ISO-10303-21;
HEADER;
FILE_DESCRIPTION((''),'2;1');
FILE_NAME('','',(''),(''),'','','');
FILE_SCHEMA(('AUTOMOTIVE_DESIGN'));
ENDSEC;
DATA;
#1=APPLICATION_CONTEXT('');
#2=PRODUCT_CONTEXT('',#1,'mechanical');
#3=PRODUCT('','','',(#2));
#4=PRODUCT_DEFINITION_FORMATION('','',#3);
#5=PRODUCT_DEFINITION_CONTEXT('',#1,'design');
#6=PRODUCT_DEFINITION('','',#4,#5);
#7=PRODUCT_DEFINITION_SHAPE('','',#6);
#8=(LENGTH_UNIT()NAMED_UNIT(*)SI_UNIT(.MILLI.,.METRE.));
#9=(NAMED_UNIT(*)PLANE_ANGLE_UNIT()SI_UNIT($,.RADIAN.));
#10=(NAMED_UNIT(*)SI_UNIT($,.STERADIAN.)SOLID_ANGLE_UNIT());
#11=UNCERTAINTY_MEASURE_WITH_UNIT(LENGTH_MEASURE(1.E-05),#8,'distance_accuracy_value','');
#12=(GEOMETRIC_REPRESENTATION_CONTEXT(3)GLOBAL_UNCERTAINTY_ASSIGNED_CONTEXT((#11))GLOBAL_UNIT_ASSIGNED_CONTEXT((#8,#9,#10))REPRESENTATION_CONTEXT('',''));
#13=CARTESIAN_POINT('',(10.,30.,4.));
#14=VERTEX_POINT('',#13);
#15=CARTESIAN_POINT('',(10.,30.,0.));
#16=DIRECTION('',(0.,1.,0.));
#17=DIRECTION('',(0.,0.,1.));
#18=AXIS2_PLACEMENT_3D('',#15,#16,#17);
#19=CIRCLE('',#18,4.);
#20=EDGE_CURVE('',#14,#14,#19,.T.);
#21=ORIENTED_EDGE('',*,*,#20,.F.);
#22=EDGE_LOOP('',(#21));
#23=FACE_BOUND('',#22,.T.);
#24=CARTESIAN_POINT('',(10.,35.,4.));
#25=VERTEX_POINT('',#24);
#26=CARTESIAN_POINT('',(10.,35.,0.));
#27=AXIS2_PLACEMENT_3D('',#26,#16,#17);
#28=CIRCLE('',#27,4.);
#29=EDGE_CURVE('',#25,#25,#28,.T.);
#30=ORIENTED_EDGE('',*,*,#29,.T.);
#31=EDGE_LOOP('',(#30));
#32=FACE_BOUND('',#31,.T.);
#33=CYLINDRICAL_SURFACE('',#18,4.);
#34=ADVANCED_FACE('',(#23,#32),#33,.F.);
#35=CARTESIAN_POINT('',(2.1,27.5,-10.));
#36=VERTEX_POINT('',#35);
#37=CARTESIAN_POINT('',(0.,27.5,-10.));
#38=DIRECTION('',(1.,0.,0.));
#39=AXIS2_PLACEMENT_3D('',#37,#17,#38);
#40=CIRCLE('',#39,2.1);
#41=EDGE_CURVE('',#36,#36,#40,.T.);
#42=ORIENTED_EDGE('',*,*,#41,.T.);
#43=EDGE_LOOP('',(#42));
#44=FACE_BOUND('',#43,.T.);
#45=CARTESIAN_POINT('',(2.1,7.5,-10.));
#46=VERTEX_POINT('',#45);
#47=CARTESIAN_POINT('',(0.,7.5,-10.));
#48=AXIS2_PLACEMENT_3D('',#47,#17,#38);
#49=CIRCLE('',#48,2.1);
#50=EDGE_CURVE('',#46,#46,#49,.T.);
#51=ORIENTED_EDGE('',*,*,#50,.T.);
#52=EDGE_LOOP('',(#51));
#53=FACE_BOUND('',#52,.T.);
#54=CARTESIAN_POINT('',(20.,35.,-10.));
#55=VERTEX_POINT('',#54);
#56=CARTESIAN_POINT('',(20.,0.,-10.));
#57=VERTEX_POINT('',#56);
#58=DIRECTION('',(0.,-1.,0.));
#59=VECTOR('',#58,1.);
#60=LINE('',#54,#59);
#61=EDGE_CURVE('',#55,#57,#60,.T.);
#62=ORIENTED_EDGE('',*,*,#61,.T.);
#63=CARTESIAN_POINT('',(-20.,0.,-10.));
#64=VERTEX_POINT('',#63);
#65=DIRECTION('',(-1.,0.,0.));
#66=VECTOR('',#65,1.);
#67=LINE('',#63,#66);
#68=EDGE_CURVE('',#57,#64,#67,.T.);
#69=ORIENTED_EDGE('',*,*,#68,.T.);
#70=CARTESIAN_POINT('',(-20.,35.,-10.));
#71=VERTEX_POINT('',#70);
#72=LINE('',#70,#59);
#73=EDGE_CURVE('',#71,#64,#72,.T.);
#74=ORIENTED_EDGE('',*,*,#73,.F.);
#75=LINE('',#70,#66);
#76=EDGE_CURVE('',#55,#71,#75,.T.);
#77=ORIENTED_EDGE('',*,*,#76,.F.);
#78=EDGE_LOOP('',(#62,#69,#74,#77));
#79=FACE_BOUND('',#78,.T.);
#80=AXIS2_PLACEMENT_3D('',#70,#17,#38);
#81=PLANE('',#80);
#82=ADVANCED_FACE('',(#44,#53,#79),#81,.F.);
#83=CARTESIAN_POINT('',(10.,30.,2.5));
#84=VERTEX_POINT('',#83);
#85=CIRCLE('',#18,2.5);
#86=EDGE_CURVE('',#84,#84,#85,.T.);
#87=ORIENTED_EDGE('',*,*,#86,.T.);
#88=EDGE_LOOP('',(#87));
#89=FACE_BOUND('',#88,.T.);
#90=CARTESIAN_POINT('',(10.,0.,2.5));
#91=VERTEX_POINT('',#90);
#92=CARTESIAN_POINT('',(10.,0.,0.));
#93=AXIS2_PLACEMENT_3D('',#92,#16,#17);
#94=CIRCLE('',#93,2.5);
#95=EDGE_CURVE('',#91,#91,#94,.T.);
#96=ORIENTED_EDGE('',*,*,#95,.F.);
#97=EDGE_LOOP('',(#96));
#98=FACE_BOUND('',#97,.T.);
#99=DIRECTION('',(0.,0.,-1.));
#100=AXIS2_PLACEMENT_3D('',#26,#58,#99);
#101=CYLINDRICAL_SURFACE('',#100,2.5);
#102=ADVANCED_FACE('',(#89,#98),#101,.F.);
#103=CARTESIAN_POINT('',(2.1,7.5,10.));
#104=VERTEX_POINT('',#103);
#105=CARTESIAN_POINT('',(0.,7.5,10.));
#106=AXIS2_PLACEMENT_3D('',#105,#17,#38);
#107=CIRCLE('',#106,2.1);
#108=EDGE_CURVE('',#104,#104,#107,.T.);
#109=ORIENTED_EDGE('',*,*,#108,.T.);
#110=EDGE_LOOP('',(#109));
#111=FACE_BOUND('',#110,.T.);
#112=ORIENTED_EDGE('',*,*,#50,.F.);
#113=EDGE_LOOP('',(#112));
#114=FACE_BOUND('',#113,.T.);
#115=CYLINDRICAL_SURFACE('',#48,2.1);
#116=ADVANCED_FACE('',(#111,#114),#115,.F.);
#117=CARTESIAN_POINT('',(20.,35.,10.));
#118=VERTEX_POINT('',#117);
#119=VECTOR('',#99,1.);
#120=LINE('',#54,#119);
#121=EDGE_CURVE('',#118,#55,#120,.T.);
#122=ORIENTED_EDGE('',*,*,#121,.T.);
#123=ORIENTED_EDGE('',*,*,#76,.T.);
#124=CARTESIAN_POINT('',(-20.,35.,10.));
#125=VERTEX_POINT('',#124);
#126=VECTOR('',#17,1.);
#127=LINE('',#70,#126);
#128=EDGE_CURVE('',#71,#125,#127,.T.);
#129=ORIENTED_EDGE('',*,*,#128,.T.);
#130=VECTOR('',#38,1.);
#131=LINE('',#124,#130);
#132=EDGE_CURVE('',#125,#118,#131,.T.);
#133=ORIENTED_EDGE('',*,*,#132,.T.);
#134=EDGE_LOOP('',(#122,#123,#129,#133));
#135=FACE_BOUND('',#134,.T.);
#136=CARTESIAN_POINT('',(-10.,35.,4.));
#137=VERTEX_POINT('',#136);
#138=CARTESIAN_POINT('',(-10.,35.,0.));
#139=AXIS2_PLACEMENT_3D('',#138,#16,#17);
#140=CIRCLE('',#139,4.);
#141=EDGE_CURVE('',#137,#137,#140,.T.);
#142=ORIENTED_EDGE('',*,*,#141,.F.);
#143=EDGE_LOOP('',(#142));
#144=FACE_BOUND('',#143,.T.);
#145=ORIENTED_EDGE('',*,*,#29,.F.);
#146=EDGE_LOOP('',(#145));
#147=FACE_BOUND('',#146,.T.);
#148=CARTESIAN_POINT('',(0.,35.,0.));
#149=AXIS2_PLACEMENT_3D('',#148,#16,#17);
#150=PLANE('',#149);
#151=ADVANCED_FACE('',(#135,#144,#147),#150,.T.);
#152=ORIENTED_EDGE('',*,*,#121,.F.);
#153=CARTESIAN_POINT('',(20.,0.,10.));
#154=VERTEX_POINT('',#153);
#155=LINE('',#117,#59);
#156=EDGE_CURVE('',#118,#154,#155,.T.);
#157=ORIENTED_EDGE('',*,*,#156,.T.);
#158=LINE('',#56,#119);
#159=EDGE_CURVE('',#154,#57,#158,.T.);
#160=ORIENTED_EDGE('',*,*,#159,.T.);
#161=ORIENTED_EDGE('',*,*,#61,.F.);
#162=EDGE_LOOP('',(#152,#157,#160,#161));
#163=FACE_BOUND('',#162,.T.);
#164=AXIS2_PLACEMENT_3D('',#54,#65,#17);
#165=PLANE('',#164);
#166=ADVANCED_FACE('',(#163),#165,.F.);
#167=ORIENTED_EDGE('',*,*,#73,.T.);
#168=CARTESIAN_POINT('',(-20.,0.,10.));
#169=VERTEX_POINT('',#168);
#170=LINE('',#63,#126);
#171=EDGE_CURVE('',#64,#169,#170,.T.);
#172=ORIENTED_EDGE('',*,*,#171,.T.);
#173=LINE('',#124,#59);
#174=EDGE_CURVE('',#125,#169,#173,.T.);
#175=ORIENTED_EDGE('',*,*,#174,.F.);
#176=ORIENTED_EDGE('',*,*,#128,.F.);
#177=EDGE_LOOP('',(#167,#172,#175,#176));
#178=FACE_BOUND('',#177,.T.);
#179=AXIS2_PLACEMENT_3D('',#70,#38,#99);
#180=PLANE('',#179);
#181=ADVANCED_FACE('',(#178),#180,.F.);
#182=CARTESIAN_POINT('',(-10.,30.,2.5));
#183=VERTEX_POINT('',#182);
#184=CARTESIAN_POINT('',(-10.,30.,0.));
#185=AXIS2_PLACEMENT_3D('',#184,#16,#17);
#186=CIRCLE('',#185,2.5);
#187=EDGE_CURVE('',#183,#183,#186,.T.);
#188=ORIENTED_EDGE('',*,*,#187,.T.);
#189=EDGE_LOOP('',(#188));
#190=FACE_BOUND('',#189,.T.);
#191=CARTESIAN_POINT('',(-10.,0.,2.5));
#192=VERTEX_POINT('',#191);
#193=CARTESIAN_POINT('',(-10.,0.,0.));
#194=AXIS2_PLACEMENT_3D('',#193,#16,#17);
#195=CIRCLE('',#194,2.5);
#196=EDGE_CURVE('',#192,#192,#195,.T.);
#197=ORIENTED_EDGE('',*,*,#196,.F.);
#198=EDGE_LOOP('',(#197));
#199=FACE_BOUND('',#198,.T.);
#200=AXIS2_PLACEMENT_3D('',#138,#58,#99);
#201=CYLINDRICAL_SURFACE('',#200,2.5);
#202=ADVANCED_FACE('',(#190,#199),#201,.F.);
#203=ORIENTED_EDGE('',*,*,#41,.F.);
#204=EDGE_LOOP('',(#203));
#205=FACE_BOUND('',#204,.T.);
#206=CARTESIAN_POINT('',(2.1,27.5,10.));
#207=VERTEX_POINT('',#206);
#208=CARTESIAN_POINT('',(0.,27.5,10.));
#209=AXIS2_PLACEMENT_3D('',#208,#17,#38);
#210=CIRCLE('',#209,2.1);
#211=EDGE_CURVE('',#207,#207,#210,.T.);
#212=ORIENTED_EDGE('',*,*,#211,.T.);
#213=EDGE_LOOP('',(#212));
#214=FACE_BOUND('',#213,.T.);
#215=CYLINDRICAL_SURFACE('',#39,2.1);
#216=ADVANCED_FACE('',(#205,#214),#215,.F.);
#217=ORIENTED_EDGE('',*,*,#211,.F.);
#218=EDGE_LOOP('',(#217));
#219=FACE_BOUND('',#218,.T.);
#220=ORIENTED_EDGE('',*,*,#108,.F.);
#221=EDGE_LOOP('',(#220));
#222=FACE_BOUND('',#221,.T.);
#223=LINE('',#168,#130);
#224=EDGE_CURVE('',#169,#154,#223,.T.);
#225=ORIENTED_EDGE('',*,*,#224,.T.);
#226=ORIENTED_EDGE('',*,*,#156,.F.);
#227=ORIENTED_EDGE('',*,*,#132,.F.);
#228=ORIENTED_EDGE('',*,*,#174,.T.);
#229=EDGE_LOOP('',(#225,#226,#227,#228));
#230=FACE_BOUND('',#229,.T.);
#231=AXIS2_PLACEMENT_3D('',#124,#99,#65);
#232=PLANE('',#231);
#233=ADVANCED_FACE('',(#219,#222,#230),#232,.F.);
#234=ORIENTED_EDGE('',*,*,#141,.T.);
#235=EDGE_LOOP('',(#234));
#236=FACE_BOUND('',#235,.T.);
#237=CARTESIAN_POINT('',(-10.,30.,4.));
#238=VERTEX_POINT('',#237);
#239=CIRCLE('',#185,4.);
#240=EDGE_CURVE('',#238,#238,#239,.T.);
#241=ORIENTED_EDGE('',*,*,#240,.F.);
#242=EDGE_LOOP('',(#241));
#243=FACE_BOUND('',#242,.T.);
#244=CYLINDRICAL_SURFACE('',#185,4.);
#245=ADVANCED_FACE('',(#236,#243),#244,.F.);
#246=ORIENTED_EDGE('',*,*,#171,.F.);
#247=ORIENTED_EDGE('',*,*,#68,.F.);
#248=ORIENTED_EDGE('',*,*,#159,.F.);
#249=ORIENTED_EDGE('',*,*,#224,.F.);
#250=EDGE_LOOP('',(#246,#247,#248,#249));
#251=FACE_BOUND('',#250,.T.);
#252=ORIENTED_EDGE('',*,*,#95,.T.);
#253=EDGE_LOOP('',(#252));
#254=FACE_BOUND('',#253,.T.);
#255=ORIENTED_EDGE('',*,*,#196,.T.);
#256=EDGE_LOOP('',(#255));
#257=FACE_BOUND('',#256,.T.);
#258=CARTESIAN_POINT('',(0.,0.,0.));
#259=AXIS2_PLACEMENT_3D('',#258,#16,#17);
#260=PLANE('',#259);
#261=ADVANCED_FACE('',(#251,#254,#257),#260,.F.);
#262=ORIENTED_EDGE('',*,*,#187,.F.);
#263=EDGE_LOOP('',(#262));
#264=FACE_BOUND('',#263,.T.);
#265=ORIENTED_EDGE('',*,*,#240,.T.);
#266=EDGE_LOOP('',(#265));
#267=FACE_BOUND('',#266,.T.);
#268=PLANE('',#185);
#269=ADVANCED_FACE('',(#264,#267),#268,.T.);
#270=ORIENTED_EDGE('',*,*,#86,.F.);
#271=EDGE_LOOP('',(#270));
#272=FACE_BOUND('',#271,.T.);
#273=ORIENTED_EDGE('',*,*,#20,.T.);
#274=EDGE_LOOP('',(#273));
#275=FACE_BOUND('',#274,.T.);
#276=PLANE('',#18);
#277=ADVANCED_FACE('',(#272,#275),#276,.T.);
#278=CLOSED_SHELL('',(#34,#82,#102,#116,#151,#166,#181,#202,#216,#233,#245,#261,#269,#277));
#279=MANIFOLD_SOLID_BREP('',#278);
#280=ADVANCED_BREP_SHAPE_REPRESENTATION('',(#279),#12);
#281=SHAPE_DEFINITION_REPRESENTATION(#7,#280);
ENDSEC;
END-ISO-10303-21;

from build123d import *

# Parameters (mm, degrees)
SKETCH1_W           = 40
SKETCH1_H           = 20
SKETCH1_R           = 2.5
BOSS_EXTRUDE1_DEPTH = 35
SKETCH2_R           = 4
CUT_EXTRUDE1_DEPTH  = 5
SKETCH3_R           = 2.1
CUT_EXTRUDE2_DEPTH  = 46


with BuildPart() as part:
    # Sketch1 → Boss-Extrude1 (new body)
    with BuildSketch(Plane(origin=(0, 0, 0), x_dir=(1, 0, 0), z_dir=(0, 1, 0))):
        Rectangle(SKETCH1_W, SKETCH1_H)
        with Locations(Location((-10, 0, 0), (0, 0, 270))):
            Circle(SKETCH1_R, mode=Mode.SUBTRACT)
        with Locations(Location((10, 0, 0), (0, 0, 270))):
            Circle(SKETCH1_R, mode=Mode.SUBTRACT)
    extrude(amount=BOSS_EXTRUDE1_DEPTH)

    # Sketch2 → Cut-Extrude1 (cut)
    with BuildSketch(Plane(origin=(0, 35, 0), x_dir=(1, 0, 0), z_dir=(0, 1, 0))):
        with Locations(Location((-10, 0, 0), (0, 0, 270))):
            Circle(SKETCH2_R)
        with Locations(Location((10, 0, 0), (0, 0, 270))):
            Circle(SKETCH2_R)
    extrude(amount=-CUT_EXTRUDE1_DEPTH, mode=Mode.SUBTRACT)

    # Sketch3 → Cut-Extrude2 (cut, through all)
    with BuildSketch(Plane.XY.offset(10)):
        with Locations((0, 27.5)):
            Circle(SKETCH3_R)
        with Locations((0, 7.5)):
            Circle(SKETCH3_R)
    extrude(amount=-CUT_EXTRUDE2_DEPTH, mode=Mode.SUBTRACT)


solid = part.part
